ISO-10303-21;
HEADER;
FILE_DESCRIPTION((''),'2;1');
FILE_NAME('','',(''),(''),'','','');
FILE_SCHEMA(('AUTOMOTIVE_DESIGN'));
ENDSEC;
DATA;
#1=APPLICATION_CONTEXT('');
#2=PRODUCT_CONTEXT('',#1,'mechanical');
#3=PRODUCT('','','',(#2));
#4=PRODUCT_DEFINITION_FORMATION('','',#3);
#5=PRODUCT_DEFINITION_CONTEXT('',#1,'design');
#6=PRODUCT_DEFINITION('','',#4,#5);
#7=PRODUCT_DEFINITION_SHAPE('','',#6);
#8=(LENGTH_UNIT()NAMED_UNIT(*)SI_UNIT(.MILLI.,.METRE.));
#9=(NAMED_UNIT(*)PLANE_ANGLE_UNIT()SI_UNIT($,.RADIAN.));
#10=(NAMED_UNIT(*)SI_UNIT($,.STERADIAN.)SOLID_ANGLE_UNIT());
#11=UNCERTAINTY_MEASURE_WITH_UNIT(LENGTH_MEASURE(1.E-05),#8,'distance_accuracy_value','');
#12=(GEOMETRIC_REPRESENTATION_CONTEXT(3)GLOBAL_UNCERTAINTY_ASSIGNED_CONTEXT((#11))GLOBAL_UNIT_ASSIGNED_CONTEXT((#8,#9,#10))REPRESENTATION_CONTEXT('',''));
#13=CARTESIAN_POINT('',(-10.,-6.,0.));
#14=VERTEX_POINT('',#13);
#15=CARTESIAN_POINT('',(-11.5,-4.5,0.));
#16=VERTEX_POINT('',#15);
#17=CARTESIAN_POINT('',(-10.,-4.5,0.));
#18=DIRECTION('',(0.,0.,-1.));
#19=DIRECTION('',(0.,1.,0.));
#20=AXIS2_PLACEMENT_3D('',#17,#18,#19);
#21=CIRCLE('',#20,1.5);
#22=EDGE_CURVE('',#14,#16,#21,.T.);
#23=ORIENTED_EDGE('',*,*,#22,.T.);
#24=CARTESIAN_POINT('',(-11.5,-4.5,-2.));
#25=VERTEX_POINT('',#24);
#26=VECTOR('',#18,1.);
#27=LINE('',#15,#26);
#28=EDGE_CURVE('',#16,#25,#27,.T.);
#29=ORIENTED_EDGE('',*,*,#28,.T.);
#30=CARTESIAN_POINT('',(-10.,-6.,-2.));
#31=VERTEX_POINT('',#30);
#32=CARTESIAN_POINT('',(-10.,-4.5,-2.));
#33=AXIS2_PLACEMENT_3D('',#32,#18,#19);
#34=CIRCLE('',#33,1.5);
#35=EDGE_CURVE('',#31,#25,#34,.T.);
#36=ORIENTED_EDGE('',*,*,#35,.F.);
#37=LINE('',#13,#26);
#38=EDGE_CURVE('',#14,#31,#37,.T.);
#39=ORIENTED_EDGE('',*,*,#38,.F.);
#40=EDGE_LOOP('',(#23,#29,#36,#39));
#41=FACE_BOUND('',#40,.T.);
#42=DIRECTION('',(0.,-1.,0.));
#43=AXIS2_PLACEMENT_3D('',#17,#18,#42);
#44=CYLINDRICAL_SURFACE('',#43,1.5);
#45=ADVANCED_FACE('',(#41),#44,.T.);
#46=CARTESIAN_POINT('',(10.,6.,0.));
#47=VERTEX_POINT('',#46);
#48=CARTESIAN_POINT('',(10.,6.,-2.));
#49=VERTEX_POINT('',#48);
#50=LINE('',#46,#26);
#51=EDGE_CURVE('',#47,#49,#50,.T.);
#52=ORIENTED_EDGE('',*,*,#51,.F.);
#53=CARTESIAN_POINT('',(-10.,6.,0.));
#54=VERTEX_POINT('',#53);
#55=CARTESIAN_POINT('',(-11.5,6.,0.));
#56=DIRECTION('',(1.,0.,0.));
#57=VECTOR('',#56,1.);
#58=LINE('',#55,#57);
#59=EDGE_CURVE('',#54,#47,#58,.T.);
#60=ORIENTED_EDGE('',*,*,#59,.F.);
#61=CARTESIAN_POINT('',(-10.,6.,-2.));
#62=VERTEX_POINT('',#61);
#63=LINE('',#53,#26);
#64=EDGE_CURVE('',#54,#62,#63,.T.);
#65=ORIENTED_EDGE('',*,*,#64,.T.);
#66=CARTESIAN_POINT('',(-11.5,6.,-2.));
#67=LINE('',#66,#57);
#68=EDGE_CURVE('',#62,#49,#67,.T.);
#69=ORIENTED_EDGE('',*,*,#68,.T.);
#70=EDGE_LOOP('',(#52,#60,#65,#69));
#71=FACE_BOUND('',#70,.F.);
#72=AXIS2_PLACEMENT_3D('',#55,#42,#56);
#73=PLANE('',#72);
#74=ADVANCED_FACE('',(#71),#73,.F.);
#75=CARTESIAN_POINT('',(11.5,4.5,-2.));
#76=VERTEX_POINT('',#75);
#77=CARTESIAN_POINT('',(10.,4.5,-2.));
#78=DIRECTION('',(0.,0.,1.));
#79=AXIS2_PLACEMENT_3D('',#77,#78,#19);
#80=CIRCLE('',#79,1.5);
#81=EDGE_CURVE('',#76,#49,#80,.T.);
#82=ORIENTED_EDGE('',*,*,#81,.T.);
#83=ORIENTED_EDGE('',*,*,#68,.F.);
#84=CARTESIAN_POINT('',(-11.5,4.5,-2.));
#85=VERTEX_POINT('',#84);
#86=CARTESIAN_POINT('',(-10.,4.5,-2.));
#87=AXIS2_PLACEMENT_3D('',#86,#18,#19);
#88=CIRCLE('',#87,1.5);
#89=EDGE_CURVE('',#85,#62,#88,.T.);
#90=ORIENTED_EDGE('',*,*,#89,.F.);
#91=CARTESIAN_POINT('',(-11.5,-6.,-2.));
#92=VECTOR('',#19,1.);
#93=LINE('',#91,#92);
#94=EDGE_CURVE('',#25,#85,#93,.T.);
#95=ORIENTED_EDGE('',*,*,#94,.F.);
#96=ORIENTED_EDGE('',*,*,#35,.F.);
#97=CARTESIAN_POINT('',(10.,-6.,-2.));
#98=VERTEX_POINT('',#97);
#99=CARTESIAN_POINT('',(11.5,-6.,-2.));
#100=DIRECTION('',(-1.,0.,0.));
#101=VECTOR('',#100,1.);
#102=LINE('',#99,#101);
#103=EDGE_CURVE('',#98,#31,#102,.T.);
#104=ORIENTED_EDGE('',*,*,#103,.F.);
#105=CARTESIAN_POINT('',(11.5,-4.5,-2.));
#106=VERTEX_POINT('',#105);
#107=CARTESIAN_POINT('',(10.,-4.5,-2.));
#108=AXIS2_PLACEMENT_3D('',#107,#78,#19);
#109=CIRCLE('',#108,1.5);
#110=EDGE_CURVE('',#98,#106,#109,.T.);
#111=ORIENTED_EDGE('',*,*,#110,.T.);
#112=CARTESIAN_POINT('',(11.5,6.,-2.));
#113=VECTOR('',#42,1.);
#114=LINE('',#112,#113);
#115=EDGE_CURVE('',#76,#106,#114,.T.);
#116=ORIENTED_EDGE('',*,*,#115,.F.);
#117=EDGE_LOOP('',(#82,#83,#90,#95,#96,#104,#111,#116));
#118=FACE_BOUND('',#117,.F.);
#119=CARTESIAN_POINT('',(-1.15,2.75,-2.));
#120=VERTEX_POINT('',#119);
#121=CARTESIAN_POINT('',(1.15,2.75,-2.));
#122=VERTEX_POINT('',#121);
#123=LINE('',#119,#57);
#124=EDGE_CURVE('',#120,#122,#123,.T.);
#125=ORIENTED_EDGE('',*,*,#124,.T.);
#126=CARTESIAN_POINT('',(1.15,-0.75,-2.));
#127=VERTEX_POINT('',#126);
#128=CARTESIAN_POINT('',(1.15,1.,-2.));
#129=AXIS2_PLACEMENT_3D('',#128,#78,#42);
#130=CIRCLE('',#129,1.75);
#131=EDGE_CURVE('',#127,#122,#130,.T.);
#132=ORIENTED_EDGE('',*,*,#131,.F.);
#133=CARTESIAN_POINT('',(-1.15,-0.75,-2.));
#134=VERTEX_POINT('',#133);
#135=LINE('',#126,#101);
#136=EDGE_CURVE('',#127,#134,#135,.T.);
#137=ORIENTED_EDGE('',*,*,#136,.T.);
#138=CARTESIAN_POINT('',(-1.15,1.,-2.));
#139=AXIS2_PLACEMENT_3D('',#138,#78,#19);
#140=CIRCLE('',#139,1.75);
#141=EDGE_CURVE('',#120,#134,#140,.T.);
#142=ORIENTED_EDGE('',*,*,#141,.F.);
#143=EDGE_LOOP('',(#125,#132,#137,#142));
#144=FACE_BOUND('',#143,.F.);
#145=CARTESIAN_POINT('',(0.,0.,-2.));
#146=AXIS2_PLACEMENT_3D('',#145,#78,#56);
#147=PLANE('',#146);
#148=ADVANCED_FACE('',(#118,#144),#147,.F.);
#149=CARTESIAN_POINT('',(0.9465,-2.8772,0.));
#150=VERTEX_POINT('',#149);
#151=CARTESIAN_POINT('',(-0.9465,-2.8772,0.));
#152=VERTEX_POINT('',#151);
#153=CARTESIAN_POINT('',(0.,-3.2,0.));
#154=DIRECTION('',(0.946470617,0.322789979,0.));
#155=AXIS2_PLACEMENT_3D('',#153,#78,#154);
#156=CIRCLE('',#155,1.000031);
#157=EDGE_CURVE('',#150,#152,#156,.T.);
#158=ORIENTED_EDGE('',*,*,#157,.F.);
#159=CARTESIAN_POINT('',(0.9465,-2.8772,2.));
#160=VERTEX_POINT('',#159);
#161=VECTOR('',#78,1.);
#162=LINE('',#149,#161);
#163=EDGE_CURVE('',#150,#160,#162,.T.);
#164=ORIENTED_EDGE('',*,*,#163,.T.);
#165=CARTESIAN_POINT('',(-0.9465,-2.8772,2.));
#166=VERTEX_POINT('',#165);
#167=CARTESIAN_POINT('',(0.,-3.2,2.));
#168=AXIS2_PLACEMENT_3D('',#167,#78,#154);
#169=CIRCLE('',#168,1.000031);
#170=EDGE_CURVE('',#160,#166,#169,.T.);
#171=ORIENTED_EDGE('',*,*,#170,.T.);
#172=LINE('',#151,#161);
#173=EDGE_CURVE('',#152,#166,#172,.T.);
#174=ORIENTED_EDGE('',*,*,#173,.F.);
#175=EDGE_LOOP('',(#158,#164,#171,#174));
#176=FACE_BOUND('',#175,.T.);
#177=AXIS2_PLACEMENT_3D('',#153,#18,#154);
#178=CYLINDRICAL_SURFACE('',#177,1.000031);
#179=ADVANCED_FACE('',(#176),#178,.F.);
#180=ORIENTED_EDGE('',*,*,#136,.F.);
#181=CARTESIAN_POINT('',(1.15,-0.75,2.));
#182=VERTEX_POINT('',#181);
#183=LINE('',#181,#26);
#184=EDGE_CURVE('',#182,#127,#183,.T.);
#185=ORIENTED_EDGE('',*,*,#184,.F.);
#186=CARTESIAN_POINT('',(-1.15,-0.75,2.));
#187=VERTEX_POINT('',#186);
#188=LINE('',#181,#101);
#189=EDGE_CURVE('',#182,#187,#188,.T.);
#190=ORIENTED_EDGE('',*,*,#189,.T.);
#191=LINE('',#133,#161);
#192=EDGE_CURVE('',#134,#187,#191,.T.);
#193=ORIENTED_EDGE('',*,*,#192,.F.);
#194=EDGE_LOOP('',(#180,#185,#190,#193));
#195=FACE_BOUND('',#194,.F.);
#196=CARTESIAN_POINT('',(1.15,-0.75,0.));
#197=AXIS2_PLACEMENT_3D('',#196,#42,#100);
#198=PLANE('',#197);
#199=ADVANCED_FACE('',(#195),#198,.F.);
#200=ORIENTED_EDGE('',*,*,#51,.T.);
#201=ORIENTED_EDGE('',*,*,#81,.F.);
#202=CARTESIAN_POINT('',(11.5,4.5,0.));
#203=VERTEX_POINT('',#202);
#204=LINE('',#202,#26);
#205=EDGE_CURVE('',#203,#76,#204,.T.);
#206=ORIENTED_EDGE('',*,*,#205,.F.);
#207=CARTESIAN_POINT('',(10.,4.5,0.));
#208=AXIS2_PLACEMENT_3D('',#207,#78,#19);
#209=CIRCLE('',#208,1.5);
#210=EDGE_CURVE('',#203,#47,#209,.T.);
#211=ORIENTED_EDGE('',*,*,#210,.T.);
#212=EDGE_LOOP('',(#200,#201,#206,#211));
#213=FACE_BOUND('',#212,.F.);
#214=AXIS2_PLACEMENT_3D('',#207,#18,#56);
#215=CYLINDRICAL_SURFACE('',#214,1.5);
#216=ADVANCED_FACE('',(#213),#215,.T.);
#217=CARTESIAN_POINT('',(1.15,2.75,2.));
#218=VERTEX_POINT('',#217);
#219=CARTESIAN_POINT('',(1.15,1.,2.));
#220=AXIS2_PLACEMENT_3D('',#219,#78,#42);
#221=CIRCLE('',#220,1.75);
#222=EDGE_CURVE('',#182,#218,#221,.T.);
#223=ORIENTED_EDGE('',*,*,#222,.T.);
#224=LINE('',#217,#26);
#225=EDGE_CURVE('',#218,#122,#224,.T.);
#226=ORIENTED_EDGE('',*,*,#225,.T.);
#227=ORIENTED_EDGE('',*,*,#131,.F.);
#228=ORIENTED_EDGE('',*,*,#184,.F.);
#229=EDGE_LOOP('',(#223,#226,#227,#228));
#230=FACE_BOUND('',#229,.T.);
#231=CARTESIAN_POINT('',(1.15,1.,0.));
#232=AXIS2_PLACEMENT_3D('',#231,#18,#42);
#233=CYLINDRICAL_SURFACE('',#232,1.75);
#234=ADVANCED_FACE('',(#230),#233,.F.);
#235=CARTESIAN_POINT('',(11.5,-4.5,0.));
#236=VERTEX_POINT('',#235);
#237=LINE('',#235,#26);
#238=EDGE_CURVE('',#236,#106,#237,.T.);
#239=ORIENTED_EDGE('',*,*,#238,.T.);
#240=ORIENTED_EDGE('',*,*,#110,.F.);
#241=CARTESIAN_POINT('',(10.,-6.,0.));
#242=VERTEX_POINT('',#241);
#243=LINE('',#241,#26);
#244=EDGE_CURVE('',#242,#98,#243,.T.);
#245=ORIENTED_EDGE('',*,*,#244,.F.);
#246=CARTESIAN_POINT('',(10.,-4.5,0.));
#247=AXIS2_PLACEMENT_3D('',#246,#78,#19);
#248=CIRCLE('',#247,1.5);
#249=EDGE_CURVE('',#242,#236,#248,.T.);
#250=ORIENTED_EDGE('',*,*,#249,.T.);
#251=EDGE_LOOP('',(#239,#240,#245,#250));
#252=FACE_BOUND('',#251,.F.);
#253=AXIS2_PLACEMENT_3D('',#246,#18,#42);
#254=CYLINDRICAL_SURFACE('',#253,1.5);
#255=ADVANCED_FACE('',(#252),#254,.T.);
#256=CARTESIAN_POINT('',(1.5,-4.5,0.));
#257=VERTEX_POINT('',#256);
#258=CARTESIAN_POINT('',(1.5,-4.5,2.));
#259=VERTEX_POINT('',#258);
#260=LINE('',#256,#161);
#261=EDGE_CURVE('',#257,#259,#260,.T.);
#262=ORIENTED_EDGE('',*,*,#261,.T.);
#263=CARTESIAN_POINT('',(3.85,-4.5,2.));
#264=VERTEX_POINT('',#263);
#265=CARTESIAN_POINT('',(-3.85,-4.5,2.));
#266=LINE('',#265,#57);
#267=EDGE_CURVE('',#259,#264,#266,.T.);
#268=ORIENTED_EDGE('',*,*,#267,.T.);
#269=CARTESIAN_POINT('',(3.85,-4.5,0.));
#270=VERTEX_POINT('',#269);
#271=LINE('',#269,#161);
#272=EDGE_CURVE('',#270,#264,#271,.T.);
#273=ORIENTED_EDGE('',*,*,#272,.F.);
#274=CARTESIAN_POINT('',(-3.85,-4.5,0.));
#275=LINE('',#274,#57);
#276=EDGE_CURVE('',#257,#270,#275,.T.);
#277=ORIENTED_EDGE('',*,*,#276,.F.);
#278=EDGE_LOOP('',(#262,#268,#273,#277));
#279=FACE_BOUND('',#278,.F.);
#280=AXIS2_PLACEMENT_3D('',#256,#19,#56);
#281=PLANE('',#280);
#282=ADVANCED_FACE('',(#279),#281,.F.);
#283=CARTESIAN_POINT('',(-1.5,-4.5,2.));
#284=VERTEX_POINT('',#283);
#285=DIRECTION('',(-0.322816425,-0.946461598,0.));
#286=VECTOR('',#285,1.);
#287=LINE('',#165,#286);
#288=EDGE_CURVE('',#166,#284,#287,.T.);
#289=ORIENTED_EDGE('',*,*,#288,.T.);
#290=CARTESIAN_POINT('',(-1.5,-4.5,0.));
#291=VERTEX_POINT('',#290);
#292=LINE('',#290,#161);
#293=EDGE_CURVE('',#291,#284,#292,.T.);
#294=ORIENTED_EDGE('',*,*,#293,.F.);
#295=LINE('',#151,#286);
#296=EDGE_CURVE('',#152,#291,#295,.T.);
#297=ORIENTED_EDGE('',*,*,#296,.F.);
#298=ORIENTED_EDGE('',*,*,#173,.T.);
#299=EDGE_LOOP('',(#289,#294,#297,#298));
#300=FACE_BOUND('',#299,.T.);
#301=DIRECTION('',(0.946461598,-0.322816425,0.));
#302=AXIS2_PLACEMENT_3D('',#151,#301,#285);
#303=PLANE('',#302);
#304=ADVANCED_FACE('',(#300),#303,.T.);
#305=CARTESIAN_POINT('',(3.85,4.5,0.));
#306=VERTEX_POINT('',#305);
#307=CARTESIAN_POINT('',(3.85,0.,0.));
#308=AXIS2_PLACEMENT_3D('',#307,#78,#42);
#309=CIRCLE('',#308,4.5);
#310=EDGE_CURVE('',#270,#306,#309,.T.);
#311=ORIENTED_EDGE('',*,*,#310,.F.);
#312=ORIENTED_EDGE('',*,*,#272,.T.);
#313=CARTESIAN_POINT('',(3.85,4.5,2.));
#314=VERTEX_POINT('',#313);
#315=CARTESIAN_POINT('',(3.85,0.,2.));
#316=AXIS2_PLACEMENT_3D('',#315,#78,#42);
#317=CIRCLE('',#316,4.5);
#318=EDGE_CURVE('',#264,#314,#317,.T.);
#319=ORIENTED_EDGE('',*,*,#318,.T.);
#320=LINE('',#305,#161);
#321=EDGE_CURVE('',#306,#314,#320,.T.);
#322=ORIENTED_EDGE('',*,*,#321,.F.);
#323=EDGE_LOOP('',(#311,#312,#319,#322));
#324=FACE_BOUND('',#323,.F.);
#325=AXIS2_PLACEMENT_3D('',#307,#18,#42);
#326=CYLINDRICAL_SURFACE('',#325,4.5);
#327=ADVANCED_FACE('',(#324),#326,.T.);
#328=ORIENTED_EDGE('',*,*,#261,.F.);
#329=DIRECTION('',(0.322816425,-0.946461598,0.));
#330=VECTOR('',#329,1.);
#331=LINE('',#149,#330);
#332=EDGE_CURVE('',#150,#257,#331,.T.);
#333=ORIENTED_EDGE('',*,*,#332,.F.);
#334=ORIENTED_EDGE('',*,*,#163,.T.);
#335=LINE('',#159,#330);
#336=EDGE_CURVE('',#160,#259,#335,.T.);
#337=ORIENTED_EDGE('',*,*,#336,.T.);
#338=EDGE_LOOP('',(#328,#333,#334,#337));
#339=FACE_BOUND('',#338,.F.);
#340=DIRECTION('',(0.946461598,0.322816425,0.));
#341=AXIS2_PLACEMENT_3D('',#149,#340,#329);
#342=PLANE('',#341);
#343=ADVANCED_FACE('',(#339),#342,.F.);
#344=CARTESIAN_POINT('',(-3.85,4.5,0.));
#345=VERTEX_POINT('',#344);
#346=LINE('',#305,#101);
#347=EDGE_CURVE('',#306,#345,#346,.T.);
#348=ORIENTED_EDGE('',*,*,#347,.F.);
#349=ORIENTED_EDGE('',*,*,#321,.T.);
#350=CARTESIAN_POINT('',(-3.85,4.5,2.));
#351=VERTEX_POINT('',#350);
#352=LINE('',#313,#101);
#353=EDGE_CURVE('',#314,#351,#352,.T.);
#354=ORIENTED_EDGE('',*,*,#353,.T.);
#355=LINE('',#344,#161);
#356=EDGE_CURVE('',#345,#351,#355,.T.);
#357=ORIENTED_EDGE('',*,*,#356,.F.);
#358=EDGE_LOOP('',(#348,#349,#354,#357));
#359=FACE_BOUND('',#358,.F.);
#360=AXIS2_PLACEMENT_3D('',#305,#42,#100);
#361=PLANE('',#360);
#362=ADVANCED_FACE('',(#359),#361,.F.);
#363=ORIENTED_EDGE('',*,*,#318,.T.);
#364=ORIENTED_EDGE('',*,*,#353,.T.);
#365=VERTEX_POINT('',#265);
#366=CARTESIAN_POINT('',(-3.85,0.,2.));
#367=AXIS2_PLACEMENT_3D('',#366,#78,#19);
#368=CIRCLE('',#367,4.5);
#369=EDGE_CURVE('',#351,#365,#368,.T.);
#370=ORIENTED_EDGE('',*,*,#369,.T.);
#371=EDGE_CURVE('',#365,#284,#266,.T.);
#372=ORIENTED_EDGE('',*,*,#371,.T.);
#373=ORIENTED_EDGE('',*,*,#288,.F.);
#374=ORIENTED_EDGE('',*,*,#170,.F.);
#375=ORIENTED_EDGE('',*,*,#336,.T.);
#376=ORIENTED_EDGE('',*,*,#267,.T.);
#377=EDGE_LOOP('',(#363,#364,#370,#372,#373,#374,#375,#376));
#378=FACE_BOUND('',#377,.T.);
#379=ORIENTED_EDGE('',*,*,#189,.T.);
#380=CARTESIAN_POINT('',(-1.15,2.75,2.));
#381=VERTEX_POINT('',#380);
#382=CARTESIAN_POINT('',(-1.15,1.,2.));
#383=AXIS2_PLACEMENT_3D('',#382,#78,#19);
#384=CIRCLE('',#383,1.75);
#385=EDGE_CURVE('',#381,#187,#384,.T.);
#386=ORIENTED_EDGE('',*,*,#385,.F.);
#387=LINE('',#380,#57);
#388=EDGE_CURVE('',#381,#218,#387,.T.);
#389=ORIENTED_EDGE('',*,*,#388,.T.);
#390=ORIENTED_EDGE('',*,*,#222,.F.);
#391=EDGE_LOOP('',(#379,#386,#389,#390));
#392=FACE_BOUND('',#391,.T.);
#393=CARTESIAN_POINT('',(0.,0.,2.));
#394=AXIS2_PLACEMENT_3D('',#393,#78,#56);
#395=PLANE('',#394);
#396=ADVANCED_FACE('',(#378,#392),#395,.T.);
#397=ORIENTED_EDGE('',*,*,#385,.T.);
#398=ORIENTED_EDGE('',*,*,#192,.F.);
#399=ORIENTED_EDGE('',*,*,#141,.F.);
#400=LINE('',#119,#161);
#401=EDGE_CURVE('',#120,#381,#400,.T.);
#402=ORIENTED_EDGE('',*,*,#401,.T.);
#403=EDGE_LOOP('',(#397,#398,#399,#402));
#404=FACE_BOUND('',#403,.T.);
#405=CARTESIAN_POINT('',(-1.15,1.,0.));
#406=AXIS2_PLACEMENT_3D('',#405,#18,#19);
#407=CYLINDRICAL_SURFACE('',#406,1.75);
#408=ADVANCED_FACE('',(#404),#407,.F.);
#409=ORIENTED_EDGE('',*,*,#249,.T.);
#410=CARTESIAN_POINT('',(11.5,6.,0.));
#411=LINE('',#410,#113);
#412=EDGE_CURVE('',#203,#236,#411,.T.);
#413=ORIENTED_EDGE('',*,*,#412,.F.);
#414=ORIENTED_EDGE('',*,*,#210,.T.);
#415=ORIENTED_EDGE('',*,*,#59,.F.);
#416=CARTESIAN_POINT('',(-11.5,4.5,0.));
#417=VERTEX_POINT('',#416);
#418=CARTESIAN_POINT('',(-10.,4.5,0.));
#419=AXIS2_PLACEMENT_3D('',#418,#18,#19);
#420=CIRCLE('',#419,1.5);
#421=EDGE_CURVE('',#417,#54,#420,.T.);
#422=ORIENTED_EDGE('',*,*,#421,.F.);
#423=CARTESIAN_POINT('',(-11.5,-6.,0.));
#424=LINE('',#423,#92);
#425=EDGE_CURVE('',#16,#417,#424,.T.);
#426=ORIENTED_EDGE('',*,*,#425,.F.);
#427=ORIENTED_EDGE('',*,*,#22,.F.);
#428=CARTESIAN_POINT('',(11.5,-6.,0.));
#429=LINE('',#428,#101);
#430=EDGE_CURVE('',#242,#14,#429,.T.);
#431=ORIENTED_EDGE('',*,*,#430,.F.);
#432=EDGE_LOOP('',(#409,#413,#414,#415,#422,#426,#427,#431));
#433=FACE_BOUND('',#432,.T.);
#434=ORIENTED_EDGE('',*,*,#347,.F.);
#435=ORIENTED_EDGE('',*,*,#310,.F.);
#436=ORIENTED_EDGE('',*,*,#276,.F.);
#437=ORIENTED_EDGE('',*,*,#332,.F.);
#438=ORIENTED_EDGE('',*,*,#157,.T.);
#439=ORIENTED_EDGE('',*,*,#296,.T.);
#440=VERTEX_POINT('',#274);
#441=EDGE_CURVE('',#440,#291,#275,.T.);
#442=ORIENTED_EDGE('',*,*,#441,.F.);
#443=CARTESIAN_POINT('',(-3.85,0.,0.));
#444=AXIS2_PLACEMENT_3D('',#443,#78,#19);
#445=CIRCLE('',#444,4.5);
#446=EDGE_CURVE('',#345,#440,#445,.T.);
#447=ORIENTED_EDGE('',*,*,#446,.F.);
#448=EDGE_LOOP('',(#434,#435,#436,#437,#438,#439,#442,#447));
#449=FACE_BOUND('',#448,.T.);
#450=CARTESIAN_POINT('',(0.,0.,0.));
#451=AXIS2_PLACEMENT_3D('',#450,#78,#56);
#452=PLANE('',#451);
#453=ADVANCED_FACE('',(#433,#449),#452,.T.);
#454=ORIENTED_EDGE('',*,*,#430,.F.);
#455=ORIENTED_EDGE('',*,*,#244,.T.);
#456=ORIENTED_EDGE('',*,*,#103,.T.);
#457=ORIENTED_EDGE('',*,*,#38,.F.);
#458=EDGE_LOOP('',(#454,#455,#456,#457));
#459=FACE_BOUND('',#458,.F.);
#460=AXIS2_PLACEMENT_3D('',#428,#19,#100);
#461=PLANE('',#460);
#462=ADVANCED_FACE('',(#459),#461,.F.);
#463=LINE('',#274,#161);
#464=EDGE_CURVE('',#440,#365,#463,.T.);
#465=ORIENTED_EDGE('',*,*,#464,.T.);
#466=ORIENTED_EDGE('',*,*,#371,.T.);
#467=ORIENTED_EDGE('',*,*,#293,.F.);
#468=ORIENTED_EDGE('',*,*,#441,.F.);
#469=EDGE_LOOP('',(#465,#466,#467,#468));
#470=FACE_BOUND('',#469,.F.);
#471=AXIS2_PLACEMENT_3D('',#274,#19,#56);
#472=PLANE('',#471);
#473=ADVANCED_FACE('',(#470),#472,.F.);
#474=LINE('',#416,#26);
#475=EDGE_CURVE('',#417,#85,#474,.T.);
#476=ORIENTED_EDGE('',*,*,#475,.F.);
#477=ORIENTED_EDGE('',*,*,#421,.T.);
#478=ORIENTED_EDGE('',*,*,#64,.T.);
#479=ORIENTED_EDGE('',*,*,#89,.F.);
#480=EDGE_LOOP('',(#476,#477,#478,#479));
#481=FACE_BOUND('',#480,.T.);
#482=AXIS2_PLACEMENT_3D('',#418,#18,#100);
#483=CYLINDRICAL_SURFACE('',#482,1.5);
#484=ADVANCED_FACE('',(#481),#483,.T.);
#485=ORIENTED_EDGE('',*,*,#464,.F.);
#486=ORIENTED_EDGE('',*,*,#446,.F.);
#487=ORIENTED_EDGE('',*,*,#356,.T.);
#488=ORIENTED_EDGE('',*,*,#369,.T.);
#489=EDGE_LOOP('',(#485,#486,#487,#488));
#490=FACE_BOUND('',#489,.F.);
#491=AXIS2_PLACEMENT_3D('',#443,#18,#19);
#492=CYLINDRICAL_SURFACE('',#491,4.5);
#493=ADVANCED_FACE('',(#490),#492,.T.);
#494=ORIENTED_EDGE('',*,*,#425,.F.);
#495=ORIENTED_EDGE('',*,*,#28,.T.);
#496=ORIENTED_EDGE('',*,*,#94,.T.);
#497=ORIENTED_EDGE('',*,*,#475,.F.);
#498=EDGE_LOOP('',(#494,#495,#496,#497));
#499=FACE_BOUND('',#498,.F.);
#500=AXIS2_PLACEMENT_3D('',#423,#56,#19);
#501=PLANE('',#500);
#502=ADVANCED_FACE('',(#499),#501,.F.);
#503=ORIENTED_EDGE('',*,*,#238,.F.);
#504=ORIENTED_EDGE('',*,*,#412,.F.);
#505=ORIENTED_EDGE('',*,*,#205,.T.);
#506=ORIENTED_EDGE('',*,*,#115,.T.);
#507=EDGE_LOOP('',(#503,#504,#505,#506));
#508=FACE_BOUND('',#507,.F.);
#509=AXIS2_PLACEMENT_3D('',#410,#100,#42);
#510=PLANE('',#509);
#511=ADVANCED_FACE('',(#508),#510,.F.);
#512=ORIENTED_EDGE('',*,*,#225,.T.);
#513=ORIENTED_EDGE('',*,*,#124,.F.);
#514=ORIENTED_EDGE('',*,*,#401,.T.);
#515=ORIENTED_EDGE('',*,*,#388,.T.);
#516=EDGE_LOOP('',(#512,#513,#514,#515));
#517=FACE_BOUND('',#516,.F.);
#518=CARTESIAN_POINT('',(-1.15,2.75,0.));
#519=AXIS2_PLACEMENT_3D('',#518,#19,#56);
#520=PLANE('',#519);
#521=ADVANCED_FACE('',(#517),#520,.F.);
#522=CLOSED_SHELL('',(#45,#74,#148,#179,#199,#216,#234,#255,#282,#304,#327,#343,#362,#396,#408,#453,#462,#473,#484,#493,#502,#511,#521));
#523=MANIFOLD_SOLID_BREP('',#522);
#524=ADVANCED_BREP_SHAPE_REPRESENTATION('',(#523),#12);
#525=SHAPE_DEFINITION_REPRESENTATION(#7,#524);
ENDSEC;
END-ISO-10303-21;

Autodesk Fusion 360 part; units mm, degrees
sketch "Sketch1" plane through (0, 0, 0) normal (0, 0, 1) x (1, 0, 0)
  line L0 (-3.85, 0) -> (3.85, 0) construction
  line L1 (-3.85, 0) -> (-8.35, 0) construction
  line L2 (3.85, 0) -> (8.35, 0) construction
  line L3 (0, 0) -> (0, -3.2) construction
  line L4 (-3.85, -4.5) -> (3.85, -4.5)
  line L5 (3.85, 4.5) -> (-3.85, 4.5)
  arc A0 (-3.85, 4.5) -> (-3.85, -4.5) centre (-3.85, 0) ccw
  arc A1 (3.85, -4.5) -> (3.85, 4.5) centre (3.85, 0) ccw
  line L6 (-0.9465, -2.8772) -> (-1.5, -4.5)
  line L7 (0.9465, -2.8772) -> (1.5, -4.5)
  arc A2 (0.9465, -2.8772) -> (-0.9465, -2.8772) centre (0, -3.2) ccw
  line L8 (11.5, -6) -> (-11.5, -6)
  line L9 (-11.5, -6) -> (-11.5, 6)
  line L10 (-11.5, 6) -> (11.5, 6)
  line L11 (11.5, 6) -> (11.5, -6)
  line L12 (11.5, -6) -> (-11.5, 6) construction
  line L13 (-11.5, -6) -> (11.5, 6) construction
  line L14 (-1.15, 2.75) -> (1.15, 2.75)
  line L15 (1.15, -0.75) -> (-1.15, -0.75)
  arc A3 (1.15, -0.75) -> (1.15, 2.75) centre (1.15, 1) ccw
  arc A4 (-1.15, 2.75) -> (-1.15, -0.75) centre (-1.15, 1) ccw
  line L16 (-1.15, 1) -> (1.15, 1)
  dimension "d1" = 9
  dimension "d2" = 16.7
  dimension "d3" = 2
  dimension "d4" = 3.2
  dimension "d5" = 3
  dimension "d6" = 12
  dimension "d7" = 23
  dimension "d12" = 3.5
  dimension "d13" = 2.3
  dimension "d20" = 1
extrude "Extrude1" add sketch "Sketch1" against normal blind 2 contours L4 L5 A0 A1 L6 L7 A2 | L4 L6 L7 A2 | L8 L9 L10 L11 | L14 L15 A3 A4
extrude "Extrude2" add sketch "Sketch1" along normal blind 2 contours L4 L5 A0 A1 L6 L7 A2 | L14 L15 A3 A4
extrude "Extrude3" cut sketch "Sketch1" along normal up to surface (2 mm away) and the other way up to surface (2 mm away) contours L14 L15 A3 A4
fillet "Fillet1" radius 1.5 4 edges at (11.5, -6, -1) (-11.5, -6, -1) (-11.5, 6, -1) (11.5, 6, -1)
equation "d6 = 9 mm + 3 mm"
equation "d13 = 5.8 mm - 3.5 mm"
